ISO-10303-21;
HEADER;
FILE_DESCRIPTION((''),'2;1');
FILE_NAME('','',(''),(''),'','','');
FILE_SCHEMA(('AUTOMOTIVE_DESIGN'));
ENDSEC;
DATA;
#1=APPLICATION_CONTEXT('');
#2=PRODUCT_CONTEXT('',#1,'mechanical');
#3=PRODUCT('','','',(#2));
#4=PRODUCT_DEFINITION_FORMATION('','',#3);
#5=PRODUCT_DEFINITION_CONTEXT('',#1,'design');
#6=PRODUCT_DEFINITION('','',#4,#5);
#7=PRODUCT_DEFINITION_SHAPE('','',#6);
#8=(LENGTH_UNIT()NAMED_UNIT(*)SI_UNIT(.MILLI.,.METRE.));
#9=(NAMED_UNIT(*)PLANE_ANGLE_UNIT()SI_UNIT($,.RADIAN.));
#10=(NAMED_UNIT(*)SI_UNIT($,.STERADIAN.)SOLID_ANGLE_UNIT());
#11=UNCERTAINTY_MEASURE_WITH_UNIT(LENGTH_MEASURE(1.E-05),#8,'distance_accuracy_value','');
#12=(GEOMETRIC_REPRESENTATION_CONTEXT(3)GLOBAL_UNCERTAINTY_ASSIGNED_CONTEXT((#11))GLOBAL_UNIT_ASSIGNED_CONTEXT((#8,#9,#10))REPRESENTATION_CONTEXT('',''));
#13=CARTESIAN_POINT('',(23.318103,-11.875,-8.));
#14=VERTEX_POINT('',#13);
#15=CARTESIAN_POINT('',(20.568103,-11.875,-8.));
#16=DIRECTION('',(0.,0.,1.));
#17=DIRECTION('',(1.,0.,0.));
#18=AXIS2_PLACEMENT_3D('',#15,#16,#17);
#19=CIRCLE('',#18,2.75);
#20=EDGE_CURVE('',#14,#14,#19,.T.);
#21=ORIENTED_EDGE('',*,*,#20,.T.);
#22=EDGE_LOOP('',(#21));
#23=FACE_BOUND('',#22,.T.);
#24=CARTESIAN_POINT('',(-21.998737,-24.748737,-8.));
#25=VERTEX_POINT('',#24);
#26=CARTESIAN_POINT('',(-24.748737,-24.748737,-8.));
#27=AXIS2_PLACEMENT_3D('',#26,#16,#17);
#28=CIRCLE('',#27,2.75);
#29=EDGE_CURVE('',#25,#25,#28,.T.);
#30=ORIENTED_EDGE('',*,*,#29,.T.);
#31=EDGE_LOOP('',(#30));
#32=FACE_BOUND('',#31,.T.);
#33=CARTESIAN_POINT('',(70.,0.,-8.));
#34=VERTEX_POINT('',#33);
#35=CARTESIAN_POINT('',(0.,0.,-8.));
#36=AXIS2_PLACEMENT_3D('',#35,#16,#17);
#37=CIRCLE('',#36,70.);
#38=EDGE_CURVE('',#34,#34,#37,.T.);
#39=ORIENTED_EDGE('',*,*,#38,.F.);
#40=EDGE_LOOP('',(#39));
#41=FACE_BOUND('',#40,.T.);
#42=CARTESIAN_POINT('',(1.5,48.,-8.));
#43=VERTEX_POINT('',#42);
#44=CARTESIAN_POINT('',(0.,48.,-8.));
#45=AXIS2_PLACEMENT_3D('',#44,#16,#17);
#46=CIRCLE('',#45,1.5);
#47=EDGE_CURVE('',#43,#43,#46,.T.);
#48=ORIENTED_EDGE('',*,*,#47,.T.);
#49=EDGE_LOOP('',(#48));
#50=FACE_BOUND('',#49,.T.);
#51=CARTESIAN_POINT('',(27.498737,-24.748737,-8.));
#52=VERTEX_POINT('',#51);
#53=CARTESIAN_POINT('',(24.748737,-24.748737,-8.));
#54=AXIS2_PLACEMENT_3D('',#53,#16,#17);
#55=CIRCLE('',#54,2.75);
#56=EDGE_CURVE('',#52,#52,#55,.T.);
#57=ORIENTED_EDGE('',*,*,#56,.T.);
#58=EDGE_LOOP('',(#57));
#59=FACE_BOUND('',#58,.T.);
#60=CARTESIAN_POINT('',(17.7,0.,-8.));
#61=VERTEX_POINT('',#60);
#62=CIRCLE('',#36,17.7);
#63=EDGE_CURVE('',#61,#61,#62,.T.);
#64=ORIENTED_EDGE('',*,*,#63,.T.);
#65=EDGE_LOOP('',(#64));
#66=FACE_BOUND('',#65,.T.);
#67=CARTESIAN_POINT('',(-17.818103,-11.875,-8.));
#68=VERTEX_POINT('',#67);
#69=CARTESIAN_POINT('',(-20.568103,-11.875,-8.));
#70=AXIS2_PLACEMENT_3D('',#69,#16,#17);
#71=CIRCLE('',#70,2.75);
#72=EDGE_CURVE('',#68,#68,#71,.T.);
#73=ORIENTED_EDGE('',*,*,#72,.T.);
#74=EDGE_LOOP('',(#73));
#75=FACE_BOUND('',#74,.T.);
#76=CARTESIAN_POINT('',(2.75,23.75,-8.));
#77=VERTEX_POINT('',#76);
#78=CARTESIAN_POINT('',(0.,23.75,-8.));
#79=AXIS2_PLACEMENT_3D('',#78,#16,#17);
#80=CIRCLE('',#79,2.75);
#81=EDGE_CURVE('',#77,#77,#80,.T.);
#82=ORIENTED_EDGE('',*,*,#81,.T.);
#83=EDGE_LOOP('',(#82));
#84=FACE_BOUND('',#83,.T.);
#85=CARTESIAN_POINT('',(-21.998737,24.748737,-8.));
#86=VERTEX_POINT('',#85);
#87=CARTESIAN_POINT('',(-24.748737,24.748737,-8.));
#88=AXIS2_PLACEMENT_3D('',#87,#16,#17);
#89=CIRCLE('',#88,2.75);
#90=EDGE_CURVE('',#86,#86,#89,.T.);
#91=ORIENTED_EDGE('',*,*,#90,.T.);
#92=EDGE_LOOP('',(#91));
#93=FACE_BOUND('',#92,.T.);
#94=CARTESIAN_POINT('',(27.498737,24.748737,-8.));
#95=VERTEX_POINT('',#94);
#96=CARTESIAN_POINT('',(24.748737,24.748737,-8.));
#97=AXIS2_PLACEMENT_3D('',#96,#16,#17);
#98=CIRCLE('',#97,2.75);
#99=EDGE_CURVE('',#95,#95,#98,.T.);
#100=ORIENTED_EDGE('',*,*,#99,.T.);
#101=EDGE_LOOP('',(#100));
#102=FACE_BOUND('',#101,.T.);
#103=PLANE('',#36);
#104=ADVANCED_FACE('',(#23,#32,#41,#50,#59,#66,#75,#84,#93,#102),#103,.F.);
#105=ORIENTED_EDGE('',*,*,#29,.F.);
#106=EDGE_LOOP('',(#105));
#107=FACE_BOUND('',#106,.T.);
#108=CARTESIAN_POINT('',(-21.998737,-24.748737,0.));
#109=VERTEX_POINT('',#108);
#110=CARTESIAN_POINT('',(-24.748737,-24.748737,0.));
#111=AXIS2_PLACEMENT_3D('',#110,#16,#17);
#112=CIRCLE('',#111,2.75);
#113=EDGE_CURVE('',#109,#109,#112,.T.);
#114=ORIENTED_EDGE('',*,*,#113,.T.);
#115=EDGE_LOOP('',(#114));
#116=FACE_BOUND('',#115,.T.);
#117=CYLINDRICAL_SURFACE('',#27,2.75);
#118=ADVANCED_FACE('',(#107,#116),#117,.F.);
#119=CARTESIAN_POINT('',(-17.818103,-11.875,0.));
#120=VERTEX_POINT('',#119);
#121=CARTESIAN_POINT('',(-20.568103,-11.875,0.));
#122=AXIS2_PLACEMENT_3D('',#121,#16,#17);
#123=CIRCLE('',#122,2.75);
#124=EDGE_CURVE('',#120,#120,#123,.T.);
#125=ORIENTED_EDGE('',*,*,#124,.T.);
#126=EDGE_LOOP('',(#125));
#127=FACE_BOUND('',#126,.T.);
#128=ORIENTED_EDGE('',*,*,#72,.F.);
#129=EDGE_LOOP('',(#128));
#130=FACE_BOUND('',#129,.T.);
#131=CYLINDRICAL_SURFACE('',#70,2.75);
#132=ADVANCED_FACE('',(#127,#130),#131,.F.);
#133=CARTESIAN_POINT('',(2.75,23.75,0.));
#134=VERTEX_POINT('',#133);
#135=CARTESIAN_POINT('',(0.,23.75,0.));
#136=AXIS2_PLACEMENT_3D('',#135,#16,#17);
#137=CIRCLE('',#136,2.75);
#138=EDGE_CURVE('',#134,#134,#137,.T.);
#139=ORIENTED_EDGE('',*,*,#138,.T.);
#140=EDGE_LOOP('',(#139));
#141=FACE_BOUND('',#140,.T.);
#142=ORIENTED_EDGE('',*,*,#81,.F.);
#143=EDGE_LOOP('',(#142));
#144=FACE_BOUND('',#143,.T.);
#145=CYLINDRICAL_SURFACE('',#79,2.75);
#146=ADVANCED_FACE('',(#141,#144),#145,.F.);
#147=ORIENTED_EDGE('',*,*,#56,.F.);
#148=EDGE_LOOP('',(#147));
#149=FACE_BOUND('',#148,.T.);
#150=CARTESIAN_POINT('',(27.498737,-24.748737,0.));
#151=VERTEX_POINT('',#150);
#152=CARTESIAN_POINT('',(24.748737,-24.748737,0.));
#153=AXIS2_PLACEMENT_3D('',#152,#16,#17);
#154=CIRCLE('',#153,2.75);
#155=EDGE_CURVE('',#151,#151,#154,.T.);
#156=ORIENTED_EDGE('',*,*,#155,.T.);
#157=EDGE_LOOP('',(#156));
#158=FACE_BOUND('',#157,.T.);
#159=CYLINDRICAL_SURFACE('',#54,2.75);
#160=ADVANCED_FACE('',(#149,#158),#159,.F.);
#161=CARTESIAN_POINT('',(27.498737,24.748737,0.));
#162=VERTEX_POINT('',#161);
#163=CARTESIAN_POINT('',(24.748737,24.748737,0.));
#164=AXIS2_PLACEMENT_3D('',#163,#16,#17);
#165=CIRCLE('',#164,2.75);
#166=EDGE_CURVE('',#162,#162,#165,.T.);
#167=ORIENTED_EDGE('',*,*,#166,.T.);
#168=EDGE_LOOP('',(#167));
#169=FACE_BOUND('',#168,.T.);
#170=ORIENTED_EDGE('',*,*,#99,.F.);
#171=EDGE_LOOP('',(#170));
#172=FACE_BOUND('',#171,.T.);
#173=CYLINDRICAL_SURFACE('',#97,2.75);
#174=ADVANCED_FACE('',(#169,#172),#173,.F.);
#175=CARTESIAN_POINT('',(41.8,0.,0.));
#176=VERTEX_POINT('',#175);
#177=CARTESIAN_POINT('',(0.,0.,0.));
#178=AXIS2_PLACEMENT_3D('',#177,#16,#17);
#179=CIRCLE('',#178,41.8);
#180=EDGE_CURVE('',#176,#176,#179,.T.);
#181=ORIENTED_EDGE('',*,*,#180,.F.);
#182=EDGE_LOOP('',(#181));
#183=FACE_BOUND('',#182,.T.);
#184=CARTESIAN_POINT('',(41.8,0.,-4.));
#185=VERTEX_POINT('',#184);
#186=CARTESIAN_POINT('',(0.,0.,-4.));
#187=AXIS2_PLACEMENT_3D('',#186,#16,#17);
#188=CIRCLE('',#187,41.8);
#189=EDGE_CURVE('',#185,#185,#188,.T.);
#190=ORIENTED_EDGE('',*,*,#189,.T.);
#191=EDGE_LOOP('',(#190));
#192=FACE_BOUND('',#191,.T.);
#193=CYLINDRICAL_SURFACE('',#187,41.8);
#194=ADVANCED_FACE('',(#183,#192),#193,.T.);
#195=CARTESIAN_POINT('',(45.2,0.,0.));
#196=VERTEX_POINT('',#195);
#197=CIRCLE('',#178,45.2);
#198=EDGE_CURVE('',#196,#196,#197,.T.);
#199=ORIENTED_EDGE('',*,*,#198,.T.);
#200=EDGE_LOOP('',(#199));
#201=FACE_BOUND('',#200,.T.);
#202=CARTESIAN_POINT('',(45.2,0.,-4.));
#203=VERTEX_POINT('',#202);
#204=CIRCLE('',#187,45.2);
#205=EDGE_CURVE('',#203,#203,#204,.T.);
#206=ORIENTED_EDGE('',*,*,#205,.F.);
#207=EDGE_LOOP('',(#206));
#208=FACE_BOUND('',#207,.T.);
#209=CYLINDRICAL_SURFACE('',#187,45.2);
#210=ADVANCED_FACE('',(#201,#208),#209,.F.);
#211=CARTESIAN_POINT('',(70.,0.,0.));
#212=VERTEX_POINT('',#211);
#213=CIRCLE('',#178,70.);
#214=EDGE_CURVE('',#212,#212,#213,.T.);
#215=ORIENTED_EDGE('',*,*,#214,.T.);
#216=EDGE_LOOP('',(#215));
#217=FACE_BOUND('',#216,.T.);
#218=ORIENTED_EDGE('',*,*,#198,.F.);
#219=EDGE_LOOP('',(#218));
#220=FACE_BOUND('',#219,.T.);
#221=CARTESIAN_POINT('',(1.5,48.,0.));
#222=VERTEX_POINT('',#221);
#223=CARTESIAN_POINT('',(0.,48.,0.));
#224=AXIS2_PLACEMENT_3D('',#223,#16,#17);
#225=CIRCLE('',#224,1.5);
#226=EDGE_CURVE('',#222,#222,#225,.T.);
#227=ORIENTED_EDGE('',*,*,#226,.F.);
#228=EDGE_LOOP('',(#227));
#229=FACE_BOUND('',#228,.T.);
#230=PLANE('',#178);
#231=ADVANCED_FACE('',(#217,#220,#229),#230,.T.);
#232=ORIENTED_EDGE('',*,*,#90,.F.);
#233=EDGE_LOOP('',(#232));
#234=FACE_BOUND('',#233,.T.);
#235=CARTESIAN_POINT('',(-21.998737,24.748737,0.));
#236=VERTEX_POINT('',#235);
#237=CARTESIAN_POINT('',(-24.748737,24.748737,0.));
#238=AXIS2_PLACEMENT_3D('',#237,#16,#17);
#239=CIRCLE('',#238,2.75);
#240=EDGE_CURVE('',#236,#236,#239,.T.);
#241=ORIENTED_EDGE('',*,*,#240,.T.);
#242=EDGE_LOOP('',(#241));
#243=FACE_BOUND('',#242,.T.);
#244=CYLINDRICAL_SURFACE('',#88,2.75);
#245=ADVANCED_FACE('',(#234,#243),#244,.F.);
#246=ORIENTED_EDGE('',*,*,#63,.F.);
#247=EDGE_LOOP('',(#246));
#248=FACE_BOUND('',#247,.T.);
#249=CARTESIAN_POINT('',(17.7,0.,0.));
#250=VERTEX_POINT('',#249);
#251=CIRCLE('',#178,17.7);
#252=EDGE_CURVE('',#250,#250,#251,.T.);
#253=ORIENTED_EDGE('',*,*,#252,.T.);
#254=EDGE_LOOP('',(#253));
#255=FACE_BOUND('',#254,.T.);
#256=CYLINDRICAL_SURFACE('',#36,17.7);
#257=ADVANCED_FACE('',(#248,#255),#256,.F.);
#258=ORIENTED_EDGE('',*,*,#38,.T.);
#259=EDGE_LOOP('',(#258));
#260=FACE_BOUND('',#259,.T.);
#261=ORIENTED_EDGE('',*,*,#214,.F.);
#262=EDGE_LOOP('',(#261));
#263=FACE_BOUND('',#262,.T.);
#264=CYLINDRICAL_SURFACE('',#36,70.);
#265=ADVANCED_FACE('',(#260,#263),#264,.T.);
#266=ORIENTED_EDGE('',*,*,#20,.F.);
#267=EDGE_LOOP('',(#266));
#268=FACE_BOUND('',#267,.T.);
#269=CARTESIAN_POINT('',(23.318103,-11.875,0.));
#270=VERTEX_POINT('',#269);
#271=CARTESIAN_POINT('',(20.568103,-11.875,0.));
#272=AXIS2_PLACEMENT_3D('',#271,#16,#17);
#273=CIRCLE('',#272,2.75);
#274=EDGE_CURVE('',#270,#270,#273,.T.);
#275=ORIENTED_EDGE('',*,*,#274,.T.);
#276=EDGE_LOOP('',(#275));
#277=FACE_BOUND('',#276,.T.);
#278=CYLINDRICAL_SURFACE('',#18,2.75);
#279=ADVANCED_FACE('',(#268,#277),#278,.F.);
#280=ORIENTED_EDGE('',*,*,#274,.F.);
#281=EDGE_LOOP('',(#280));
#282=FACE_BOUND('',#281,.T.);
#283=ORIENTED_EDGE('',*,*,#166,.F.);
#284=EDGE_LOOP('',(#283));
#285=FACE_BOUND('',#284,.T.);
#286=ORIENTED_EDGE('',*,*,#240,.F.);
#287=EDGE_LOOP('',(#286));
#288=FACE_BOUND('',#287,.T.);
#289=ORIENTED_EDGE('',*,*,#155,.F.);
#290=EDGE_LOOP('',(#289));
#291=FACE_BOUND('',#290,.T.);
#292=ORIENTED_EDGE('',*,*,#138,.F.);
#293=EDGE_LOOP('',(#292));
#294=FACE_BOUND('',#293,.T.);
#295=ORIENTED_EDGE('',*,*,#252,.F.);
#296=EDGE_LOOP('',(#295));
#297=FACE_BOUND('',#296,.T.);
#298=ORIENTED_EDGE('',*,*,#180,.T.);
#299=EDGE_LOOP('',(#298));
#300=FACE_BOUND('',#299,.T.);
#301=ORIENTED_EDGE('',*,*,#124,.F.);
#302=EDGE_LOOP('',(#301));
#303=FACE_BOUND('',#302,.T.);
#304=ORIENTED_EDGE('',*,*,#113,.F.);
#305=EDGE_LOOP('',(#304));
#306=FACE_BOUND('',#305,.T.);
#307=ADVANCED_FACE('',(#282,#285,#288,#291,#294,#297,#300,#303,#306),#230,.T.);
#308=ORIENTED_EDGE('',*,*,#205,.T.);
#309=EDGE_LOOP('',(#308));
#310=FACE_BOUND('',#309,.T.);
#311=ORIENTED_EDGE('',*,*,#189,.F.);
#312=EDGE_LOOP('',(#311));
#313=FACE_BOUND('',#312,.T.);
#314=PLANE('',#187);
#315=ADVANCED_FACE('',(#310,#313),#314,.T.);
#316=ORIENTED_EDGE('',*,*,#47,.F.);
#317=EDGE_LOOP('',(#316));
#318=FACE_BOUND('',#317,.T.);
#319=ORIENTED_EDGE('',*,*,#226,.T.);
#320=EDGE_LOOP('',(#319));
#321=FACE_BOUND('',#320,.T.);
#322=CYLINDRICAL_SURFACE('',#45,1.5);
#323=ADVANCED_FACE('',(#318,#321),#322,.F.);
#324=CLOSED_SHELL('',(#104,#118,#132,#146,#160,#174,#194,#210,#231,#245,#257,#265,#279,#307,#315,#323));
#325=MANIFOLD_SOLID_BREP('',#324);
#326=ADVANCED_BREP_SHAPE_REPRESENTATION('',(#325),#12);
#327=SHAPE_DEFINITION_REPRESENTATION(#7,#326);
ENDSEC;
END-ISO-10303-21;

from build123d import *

# Parameters (mm, degrees)
SKETCH_1_R          = 70
SKETCH_1_R_2        = 17.7
SKETCH_1_R_3        = 2.75
SKETCH_1_R_4        = 1.5
EXTRUDE_1_DEPTH     = 8
SKETCH_2_R          = 45.2
SKETCH_2_R_2        = 41.8
CUT_EXTRUDE_2_DEPTH = 4


with BuildPart() as part:
    # 草图1 → 凸台-拉伸1 (new body)
    with BuildSketch(Plane.XY):
        Circle(SKETCH_1_R)
        Circle(SKETCH_1_R_2, mode=Mode.SUBTRACT)
        with Locations((24.748737342, 24.748737342)):
            Circle(SKETCH_1_R_3, mode=Mode.SUBTRACT)
        with Locations((-24.748737342, 24.748737342)):
            Circle(SKETCH_1_R_3, mode=Mode.SUBTRACT)
        with Locations((-24.748737342, -24.748737342)):
            Circle(SKETCH_1_R_3, mode=Mode.SUBTRACT)
        with Locations((24.748737342, -24.748737342)):
            Circle(SKETCH_1_R_3, mode=Mode.SUBTRACT)
        with Locations((0, 23.75)):
            Circle(SKETCH_1_R_3, mode=Mode.SUBTRACT)
        with Locations((-20.56810334, -11.875)):
            Circle(SKETCH_1_R_3, mode=Mode.SUBTRACT)
        with Locations((20.56810334, -11.875)):
            Circle(SKETCH_1_R_3, mode=Mode.SUBTRACT)
        with Locations((0, 48)):
            Circle(SKETCH_1_R_4, mode=Mode.SUBTRACT)
    extrude(amount=-EXTRUDE_1_DEPTH)

    # 草图2 → 切除-拉伸2 (cut)
    with BuildSketch(Plane.XY):
        Circle(SKETCH_2_R)
        Circle(SKETCH_2_R_2, mode=Mode.SUBTRACT)
    extrude(amount=-CUT_EXTRUDE_2_DEPTH, mode=Mode.SUBTRACT)


solid = part.part
